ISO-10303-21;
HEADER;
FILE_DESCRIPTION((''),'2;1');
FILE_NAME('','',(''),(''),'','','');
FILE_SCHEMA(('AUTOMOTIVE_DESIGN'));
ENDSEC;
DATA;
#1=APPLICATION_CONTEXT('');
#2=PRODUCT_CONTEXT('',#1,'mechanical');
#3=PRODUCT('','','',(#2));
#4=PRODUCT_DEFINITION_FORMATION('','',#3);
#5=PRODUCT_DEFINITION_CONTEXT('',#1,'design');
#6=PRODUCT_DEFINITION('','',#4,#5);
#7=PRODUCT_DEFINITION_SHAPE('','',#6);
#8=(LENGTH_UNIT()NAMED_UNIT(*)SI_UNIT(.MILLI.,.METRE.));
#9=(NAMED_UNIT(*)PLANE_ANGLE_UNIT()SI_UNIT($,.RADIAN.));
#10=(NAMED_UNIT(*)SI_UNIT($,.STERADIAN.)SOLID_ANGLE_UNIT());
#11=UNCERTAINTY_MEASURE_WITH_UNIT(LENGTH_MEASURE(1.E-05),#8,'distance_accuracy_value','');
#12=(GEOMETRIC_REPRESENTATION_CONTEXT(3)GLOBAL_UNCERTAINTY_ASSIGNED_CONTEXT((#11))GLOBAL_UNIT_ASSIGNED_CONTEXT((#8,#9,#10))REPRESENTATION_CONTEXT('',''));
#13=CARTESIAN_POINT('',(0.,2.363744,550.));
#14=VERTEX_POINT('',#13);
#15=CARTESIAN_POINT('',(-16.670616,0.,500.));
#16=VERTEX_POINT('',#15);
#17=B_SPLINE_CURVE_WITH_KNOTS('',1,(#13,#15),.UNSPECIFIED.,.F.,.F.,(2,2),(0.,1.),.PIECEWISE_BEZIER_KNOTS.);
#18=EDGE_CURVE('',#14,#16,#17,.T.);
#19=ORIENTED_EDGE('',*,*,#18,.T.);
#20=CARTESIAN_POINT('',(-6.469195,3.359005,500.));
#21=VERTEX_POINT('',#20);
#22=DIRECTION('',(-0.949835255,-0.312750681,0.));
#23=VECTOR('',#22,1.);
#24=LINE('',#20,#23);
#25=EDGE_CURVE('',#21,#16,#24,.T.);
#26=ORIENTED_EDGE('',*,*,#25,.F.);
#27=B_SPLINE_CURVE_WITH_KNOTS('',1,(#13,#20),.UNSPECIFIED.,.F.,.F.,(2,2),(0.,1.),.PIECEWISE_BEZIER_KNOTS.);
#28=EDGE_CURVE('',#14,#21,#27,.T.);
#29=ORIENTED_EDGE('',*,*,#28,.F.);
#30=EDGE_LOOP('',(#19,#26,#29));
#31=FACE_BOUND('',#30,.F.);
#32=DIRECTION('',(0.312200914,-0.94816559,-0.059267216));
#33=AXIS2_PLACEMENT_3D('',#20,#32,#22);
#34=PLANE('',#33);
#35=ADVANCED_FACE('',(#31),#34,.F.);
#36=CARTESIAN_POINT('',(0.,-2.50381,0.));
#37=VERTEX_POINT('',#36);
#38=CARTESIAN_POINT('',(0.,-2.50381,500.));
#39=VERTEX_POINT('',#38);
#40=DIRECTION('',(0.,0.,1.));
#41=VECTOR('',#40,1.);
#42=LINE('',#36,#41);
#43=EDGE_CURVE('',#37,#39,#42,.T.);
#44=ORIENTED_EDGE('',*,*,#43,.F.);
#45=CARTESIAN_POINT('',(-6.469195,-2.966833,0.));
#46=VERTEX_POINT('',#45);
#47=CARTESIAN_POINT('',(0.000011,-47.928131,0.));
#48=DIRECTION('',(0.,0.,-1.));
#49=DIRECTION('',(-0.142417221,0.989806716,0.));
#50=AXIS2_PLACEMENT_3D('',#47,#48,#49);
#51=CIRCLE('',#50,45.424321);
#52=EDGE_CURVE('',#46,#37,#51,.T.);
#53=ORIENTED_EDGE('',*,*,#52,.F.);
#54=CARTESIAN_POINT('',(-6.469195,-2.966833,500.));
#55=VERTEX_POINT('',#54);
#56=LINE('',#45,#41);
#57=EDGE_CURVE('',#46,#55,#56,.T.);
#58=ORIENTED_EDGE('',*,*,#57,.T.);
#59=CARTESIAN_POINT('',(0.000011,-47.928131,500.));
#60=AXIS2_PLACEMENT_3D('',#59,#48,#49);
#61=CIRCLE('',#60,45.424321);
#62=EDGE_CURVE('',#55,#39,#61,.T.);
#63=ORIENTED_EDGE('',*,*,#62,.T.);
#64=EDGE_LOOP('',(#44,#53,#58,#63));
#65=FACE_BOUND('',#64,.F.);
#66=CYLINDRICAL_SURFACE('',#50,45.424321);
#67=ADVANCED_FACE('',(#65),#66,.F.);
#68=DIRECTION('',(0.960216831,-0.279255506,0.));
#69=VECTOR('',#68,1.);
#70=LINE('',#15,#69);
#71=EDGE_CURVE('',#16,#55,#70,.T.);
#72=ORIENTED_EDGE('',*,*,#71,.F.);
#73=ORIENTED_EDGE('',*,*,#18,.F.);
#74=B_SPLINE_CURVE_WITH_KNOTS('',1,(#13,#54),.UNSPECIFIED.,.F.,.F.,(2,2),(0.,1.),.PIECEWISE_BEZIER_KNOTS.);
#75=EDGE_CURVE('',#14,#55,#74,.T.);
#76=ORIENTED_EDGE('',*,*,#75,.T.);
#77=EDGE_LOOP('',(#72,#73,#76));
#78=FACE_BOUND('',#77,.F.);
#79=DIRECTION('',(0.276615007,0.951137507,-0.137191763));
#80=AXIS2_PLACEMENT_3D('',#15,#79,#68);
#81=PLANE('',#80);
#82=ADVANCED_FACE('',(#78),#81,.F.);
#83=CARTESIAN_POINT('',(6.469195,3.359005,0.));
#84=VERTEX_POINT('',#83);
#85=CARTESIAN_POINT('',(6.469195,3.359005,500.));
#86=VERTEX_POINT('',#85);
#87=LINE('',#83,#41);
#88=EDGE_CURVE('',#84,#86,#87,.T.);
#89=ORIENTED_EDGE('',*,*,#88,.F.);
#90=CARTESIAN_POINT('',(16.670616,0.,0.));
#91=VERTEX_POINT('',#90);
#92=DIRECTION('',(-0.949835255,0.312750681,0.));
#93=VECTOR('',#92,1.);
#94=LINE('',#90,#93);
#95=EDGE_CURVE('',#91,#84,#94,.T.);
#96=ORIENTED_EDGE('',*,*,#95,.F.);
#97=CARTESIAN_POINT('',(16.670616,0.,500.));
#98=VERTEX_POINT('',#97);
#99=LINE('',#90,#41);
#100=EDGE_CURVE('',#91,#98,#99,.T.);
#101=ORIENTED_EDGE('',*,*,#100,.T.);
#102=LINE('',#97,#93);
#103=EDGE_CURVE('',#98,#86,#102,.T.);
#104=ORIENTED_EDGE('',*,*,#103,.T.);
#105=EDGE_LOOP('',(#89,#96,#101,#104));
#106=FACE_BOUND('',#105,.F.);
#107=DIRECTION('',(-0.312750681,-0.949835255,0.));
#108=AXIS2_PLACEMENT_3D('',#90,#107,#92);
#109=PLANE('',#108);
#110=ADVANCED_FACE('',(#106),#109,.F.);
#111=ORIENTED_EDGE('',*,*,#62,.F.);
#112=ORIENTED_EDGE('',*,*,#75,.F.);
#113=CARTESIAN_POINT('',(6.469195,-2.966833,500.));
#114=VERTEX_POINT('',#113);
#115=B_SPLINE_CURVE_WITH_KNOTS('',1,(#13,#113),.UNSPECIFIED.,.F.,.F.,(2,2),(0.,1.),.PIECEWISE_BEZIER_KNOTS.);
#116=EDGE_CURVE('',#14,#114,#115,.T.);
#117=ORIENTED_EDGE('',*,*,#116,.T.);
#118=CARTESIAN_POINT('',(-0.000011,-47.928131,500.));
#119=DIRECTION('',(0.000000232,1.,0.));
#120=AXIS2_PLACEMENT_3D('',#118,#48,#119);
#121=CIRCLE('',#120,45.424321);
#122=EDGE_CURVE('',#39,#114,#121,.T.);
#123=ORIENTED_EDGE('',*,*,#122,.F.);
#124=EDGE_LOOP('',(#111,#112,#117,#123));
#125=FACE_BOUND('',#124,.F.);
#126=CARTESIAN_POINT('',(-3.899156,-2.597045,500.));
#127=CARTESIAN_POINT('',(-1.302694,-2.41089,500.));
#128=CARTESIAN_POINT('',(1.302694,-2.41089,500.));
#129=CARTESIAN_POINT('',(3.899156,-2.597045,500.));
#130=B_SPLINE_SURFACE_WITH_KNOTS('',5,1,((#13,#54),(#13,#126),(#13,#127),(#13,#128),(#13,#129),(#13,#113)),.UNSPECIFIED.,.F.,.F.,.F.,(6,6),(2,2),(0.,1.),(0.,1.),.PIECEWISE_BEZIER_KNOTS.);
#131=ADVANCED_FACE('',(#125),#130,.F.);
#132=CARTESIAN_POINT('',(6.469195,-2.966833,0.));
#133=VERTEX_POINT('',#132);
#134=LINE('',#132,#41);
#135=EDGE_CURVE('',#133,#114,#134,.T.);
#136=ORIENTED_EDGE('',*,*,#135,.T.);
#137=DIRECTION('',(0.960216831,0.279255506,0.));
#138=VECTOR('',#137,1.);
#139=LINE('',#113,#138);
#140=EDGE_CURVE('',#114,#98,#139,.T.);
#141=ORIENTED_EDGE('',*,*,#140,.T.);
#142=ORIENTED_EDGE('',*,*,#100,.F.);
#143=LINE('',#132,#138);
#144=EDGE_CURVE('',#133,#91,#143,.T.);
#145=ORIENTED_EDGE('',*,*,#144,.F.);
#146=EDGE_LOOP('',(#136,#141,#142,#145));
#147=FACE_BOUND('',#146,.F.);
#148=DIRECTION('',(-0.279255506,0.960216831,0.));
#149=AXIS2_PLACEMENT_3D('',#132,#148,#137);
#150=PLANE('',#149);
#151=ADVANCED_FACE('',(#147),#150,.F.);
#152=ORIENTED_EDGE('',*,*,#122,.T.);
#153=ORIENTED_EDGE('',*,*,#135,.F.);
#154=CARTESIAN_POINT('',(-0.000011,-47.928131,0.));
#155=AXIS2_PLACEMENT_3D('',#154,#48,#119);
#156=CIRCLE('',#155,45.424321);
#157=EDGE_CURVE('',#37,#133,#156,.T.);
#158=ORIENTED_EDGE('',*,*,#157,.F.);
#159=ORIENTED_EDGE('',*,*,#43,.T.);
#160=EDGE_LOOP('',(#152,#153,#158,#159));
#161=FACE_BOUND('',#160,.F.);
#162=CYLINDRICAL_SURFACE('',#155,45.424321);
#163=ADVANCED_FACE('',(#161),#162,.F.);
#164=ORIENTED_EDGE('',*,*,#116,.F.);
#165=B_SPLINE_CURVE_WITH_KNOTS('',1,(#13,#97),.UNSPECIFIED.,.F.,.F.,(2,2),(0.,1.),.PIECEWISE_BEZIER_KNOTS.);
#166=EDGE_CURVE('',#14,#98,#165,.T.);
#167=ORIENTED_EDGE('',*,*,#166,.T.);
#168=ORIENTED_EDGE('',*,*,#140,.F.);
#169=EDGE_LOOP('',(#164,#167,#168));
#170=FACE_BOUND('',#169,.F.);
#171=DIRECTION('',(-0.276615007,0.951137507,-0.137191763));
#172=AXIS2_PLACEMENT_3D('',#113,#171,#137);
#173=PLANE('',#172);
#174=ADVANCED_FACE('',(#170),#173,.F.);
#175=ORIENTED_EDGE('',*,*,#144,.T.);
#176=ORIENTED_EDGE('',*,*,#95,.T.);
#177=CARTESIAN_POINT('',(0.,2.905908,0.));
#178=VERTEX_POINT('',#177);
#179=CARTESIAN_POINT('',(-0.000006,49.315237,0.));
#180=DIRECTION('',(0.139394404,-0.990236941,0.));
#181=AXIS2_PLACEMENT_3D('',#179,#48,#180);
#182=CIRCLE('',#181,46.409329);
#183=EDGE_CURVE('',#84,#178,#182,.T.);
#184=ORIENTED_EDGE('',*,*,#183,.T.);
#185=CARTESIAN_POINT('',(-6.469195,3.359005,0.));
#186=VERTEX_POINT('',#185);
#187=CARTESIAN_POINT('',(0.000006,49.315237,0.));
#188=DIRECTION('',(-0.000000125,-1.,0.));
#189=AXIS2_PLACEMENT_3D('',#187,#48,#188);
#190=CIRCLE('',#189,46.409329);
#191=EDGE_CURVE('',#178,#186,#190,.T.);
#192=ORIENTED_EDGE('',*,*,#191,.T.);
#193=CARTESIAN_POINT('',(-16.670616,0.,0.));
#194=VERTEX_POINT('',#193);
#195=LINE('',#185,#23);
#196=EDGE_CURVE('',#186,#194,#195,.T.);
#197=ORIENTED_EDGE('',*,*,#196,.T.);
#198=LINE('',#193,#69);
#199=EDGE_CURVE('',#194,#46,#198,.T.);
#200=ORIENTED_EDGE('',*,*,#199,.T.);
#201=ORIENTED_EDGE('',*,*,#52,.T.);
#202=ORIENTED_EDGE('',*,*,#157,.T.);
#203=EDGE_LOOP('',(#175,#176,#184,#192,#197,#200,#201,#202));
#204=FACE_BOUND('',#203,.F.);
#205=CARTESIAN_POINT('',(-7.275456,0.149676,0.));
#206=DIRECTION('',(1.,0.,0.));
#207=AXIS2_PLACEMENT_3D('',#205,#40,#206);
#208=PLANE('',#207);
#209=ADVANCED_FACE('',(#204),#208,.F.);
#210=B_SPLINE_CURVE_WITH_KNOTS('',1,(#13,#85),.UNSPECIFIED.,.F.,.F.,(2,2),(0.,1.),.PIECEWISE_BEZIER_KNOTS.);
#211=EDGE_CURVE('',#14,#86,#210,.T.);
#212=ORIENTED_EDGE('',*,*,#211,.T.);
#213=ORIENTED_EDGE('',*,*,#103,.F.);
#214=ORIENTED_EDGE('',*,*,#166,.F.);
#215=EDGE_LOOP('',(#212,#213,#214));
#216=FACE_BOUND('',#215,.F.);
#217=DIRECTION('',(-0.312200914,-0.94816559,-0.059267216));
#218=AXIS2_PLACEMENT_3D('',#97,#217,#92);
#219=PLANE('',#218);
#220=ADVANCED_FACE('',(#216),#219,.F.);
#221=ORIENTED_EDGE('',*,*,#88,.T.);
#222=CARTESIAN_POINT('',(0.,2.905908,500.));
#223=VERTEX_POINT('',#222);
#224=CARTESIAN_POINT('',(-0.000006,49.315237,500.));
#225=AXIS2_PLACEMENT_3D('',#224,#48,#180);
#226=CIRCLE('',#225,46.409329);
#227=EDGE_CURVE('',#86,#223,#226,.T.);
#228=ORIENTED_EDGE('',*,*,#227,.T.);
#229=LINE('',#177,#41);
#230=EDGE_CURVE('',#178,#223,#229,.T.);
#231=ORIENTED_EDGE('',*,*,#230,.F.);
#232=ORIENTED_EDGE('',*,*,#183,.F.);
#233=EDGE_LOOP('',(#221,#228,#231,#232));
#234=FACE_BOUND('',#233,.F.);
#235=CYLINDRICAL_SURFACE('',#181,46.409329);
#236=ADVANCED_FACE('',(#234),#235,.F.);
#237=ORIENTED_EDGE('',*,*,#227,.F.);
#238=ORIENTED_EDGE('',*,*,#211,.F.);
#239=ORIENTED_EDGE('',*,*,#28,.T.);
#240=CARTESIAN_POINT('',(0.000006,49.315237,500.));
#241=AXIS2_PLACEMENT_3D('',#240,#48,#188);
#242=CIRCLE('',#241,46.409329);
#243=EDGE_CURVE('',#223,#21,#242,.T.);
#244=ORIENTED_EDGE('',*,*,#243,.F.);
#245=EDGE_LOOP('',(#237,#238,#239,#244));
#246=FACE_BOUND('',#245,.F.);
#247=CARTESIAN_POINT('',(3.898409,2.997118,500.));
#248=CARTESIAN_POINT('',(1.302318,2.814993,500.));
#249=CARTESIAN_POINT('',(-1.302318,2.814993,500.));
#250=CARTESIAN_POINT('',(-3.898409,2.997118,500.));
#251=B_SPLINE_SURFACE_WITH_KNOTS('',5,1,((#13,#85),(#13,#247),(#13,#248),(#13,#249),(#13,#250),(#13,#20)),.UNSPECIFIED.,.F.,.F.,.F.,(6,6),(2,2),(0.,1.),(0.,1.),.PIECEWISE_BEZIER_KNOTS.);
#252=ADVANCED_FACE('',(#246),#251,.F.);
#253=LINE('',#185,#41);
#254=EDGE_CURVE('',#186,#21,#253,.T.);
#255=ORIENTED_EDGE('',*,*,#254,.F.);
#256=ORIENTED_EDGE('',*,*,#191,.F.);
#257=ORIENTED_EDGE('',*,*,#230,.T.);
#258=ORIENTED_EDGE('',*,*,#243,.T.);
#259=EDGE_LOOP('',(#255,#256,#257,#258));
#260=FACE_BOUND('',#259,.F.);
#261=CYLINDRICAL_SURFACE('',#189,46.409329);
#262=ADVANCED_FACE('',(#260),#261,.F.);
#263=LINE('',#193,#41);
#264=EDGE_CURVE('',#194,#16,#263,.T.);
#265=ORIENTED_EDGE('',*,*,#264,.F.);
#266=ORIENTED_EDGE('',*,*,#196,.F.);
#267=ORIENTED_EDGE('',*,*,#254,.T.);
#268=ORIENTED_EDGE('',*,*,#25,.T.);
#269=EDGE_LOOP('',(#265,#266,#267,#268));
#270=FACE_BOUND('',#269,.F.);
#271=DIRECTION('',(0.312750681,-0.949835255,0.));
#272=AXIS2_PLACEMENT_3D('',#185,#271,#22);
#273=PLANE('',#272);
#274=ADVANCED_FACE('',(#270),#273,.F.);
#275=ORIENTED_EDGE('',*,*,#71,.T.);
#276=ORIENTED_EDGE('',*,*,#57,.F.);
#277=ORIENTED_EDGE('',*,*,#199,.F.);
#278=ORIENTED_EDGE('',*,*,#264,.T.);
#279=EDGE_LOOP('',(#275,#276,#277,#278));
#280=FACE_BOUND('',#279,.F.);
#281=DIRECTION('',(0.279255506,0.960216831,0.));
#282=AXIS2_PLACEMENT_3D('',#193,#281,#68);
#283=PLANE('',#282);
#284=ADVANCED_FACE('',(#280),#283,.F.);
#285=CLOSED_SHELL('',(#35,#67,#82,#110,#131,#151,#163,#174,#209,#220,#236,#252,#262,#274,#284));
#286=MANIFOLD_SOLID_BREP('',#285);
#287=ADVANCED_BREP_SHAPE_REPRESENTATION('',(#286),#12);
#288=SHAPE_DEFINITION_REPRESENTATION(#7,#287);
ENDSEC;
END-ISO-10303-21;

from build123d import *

# Parameters (mm, degrees)
F1_DEPTH = 500


with BuildPart() as f1:
    # F0 (on Top) → F1 (new body)
    with BuildSketch(Plane.XY):
        with BuildLine():
            Line((-6.469195, 3.359005), (-16.670616, 0))
            Line((-16.670616, 0), (-6.469195, -2.966833))
            ThreePointArc((-6.469195, -2.966833), (-3.242872, -2.619714), (0, -2.50381))
            Line((0, -2.50381), (0, 2.905908))
            ThreePointArc((0, 2.905908), (-3.242521, 3.019321), (-6.469195, 3.359005))
        make_face()
        with BuildLine():
            ThreePointArc((6.469195, 3.359005), (3.242521, 3.019321), (0, 2.905908))
            Line((0, 2.905908), (0, -2.50381))
            ThreePointArc((0, -2.50381), (3.242872, -2.619714), (6.469195, -2.966833))
            Line((6.469195, -2.966833), (16.670616, 0))
            Line((16.670616, 0), (6.469195, 3.359005))
        make_face()
    extrude(amount=F1_DEPTH)

    # F2 (on face) → F5 section 0
    with BuildSketch(Plane.XY.offset(500), mode=Mode.PRIVATE) as f5_s0:
        with BuildLine():
            Line((16.670616, 0), (6.469195, 3.359005))
            ThreePointArc((6.469195, 3.359005), (0, 2.905908), (-6.469195, 3.359005))
            Line((-6.469195, 3.359005), (-16.670616, 0))
            Line((-16.670616, 0), (-6.469195, -2.966833))
            ThreePointArc((-6.469195, -2.966833), (0, -2.50381), (6.469195, -2.966833))
            Line((6.469195, -2.966833), (16.670616, 0))
        make_face()
    loft([Vertex(0, 2.363744, 550), f5_s0.sketch])


solid = f1.part
